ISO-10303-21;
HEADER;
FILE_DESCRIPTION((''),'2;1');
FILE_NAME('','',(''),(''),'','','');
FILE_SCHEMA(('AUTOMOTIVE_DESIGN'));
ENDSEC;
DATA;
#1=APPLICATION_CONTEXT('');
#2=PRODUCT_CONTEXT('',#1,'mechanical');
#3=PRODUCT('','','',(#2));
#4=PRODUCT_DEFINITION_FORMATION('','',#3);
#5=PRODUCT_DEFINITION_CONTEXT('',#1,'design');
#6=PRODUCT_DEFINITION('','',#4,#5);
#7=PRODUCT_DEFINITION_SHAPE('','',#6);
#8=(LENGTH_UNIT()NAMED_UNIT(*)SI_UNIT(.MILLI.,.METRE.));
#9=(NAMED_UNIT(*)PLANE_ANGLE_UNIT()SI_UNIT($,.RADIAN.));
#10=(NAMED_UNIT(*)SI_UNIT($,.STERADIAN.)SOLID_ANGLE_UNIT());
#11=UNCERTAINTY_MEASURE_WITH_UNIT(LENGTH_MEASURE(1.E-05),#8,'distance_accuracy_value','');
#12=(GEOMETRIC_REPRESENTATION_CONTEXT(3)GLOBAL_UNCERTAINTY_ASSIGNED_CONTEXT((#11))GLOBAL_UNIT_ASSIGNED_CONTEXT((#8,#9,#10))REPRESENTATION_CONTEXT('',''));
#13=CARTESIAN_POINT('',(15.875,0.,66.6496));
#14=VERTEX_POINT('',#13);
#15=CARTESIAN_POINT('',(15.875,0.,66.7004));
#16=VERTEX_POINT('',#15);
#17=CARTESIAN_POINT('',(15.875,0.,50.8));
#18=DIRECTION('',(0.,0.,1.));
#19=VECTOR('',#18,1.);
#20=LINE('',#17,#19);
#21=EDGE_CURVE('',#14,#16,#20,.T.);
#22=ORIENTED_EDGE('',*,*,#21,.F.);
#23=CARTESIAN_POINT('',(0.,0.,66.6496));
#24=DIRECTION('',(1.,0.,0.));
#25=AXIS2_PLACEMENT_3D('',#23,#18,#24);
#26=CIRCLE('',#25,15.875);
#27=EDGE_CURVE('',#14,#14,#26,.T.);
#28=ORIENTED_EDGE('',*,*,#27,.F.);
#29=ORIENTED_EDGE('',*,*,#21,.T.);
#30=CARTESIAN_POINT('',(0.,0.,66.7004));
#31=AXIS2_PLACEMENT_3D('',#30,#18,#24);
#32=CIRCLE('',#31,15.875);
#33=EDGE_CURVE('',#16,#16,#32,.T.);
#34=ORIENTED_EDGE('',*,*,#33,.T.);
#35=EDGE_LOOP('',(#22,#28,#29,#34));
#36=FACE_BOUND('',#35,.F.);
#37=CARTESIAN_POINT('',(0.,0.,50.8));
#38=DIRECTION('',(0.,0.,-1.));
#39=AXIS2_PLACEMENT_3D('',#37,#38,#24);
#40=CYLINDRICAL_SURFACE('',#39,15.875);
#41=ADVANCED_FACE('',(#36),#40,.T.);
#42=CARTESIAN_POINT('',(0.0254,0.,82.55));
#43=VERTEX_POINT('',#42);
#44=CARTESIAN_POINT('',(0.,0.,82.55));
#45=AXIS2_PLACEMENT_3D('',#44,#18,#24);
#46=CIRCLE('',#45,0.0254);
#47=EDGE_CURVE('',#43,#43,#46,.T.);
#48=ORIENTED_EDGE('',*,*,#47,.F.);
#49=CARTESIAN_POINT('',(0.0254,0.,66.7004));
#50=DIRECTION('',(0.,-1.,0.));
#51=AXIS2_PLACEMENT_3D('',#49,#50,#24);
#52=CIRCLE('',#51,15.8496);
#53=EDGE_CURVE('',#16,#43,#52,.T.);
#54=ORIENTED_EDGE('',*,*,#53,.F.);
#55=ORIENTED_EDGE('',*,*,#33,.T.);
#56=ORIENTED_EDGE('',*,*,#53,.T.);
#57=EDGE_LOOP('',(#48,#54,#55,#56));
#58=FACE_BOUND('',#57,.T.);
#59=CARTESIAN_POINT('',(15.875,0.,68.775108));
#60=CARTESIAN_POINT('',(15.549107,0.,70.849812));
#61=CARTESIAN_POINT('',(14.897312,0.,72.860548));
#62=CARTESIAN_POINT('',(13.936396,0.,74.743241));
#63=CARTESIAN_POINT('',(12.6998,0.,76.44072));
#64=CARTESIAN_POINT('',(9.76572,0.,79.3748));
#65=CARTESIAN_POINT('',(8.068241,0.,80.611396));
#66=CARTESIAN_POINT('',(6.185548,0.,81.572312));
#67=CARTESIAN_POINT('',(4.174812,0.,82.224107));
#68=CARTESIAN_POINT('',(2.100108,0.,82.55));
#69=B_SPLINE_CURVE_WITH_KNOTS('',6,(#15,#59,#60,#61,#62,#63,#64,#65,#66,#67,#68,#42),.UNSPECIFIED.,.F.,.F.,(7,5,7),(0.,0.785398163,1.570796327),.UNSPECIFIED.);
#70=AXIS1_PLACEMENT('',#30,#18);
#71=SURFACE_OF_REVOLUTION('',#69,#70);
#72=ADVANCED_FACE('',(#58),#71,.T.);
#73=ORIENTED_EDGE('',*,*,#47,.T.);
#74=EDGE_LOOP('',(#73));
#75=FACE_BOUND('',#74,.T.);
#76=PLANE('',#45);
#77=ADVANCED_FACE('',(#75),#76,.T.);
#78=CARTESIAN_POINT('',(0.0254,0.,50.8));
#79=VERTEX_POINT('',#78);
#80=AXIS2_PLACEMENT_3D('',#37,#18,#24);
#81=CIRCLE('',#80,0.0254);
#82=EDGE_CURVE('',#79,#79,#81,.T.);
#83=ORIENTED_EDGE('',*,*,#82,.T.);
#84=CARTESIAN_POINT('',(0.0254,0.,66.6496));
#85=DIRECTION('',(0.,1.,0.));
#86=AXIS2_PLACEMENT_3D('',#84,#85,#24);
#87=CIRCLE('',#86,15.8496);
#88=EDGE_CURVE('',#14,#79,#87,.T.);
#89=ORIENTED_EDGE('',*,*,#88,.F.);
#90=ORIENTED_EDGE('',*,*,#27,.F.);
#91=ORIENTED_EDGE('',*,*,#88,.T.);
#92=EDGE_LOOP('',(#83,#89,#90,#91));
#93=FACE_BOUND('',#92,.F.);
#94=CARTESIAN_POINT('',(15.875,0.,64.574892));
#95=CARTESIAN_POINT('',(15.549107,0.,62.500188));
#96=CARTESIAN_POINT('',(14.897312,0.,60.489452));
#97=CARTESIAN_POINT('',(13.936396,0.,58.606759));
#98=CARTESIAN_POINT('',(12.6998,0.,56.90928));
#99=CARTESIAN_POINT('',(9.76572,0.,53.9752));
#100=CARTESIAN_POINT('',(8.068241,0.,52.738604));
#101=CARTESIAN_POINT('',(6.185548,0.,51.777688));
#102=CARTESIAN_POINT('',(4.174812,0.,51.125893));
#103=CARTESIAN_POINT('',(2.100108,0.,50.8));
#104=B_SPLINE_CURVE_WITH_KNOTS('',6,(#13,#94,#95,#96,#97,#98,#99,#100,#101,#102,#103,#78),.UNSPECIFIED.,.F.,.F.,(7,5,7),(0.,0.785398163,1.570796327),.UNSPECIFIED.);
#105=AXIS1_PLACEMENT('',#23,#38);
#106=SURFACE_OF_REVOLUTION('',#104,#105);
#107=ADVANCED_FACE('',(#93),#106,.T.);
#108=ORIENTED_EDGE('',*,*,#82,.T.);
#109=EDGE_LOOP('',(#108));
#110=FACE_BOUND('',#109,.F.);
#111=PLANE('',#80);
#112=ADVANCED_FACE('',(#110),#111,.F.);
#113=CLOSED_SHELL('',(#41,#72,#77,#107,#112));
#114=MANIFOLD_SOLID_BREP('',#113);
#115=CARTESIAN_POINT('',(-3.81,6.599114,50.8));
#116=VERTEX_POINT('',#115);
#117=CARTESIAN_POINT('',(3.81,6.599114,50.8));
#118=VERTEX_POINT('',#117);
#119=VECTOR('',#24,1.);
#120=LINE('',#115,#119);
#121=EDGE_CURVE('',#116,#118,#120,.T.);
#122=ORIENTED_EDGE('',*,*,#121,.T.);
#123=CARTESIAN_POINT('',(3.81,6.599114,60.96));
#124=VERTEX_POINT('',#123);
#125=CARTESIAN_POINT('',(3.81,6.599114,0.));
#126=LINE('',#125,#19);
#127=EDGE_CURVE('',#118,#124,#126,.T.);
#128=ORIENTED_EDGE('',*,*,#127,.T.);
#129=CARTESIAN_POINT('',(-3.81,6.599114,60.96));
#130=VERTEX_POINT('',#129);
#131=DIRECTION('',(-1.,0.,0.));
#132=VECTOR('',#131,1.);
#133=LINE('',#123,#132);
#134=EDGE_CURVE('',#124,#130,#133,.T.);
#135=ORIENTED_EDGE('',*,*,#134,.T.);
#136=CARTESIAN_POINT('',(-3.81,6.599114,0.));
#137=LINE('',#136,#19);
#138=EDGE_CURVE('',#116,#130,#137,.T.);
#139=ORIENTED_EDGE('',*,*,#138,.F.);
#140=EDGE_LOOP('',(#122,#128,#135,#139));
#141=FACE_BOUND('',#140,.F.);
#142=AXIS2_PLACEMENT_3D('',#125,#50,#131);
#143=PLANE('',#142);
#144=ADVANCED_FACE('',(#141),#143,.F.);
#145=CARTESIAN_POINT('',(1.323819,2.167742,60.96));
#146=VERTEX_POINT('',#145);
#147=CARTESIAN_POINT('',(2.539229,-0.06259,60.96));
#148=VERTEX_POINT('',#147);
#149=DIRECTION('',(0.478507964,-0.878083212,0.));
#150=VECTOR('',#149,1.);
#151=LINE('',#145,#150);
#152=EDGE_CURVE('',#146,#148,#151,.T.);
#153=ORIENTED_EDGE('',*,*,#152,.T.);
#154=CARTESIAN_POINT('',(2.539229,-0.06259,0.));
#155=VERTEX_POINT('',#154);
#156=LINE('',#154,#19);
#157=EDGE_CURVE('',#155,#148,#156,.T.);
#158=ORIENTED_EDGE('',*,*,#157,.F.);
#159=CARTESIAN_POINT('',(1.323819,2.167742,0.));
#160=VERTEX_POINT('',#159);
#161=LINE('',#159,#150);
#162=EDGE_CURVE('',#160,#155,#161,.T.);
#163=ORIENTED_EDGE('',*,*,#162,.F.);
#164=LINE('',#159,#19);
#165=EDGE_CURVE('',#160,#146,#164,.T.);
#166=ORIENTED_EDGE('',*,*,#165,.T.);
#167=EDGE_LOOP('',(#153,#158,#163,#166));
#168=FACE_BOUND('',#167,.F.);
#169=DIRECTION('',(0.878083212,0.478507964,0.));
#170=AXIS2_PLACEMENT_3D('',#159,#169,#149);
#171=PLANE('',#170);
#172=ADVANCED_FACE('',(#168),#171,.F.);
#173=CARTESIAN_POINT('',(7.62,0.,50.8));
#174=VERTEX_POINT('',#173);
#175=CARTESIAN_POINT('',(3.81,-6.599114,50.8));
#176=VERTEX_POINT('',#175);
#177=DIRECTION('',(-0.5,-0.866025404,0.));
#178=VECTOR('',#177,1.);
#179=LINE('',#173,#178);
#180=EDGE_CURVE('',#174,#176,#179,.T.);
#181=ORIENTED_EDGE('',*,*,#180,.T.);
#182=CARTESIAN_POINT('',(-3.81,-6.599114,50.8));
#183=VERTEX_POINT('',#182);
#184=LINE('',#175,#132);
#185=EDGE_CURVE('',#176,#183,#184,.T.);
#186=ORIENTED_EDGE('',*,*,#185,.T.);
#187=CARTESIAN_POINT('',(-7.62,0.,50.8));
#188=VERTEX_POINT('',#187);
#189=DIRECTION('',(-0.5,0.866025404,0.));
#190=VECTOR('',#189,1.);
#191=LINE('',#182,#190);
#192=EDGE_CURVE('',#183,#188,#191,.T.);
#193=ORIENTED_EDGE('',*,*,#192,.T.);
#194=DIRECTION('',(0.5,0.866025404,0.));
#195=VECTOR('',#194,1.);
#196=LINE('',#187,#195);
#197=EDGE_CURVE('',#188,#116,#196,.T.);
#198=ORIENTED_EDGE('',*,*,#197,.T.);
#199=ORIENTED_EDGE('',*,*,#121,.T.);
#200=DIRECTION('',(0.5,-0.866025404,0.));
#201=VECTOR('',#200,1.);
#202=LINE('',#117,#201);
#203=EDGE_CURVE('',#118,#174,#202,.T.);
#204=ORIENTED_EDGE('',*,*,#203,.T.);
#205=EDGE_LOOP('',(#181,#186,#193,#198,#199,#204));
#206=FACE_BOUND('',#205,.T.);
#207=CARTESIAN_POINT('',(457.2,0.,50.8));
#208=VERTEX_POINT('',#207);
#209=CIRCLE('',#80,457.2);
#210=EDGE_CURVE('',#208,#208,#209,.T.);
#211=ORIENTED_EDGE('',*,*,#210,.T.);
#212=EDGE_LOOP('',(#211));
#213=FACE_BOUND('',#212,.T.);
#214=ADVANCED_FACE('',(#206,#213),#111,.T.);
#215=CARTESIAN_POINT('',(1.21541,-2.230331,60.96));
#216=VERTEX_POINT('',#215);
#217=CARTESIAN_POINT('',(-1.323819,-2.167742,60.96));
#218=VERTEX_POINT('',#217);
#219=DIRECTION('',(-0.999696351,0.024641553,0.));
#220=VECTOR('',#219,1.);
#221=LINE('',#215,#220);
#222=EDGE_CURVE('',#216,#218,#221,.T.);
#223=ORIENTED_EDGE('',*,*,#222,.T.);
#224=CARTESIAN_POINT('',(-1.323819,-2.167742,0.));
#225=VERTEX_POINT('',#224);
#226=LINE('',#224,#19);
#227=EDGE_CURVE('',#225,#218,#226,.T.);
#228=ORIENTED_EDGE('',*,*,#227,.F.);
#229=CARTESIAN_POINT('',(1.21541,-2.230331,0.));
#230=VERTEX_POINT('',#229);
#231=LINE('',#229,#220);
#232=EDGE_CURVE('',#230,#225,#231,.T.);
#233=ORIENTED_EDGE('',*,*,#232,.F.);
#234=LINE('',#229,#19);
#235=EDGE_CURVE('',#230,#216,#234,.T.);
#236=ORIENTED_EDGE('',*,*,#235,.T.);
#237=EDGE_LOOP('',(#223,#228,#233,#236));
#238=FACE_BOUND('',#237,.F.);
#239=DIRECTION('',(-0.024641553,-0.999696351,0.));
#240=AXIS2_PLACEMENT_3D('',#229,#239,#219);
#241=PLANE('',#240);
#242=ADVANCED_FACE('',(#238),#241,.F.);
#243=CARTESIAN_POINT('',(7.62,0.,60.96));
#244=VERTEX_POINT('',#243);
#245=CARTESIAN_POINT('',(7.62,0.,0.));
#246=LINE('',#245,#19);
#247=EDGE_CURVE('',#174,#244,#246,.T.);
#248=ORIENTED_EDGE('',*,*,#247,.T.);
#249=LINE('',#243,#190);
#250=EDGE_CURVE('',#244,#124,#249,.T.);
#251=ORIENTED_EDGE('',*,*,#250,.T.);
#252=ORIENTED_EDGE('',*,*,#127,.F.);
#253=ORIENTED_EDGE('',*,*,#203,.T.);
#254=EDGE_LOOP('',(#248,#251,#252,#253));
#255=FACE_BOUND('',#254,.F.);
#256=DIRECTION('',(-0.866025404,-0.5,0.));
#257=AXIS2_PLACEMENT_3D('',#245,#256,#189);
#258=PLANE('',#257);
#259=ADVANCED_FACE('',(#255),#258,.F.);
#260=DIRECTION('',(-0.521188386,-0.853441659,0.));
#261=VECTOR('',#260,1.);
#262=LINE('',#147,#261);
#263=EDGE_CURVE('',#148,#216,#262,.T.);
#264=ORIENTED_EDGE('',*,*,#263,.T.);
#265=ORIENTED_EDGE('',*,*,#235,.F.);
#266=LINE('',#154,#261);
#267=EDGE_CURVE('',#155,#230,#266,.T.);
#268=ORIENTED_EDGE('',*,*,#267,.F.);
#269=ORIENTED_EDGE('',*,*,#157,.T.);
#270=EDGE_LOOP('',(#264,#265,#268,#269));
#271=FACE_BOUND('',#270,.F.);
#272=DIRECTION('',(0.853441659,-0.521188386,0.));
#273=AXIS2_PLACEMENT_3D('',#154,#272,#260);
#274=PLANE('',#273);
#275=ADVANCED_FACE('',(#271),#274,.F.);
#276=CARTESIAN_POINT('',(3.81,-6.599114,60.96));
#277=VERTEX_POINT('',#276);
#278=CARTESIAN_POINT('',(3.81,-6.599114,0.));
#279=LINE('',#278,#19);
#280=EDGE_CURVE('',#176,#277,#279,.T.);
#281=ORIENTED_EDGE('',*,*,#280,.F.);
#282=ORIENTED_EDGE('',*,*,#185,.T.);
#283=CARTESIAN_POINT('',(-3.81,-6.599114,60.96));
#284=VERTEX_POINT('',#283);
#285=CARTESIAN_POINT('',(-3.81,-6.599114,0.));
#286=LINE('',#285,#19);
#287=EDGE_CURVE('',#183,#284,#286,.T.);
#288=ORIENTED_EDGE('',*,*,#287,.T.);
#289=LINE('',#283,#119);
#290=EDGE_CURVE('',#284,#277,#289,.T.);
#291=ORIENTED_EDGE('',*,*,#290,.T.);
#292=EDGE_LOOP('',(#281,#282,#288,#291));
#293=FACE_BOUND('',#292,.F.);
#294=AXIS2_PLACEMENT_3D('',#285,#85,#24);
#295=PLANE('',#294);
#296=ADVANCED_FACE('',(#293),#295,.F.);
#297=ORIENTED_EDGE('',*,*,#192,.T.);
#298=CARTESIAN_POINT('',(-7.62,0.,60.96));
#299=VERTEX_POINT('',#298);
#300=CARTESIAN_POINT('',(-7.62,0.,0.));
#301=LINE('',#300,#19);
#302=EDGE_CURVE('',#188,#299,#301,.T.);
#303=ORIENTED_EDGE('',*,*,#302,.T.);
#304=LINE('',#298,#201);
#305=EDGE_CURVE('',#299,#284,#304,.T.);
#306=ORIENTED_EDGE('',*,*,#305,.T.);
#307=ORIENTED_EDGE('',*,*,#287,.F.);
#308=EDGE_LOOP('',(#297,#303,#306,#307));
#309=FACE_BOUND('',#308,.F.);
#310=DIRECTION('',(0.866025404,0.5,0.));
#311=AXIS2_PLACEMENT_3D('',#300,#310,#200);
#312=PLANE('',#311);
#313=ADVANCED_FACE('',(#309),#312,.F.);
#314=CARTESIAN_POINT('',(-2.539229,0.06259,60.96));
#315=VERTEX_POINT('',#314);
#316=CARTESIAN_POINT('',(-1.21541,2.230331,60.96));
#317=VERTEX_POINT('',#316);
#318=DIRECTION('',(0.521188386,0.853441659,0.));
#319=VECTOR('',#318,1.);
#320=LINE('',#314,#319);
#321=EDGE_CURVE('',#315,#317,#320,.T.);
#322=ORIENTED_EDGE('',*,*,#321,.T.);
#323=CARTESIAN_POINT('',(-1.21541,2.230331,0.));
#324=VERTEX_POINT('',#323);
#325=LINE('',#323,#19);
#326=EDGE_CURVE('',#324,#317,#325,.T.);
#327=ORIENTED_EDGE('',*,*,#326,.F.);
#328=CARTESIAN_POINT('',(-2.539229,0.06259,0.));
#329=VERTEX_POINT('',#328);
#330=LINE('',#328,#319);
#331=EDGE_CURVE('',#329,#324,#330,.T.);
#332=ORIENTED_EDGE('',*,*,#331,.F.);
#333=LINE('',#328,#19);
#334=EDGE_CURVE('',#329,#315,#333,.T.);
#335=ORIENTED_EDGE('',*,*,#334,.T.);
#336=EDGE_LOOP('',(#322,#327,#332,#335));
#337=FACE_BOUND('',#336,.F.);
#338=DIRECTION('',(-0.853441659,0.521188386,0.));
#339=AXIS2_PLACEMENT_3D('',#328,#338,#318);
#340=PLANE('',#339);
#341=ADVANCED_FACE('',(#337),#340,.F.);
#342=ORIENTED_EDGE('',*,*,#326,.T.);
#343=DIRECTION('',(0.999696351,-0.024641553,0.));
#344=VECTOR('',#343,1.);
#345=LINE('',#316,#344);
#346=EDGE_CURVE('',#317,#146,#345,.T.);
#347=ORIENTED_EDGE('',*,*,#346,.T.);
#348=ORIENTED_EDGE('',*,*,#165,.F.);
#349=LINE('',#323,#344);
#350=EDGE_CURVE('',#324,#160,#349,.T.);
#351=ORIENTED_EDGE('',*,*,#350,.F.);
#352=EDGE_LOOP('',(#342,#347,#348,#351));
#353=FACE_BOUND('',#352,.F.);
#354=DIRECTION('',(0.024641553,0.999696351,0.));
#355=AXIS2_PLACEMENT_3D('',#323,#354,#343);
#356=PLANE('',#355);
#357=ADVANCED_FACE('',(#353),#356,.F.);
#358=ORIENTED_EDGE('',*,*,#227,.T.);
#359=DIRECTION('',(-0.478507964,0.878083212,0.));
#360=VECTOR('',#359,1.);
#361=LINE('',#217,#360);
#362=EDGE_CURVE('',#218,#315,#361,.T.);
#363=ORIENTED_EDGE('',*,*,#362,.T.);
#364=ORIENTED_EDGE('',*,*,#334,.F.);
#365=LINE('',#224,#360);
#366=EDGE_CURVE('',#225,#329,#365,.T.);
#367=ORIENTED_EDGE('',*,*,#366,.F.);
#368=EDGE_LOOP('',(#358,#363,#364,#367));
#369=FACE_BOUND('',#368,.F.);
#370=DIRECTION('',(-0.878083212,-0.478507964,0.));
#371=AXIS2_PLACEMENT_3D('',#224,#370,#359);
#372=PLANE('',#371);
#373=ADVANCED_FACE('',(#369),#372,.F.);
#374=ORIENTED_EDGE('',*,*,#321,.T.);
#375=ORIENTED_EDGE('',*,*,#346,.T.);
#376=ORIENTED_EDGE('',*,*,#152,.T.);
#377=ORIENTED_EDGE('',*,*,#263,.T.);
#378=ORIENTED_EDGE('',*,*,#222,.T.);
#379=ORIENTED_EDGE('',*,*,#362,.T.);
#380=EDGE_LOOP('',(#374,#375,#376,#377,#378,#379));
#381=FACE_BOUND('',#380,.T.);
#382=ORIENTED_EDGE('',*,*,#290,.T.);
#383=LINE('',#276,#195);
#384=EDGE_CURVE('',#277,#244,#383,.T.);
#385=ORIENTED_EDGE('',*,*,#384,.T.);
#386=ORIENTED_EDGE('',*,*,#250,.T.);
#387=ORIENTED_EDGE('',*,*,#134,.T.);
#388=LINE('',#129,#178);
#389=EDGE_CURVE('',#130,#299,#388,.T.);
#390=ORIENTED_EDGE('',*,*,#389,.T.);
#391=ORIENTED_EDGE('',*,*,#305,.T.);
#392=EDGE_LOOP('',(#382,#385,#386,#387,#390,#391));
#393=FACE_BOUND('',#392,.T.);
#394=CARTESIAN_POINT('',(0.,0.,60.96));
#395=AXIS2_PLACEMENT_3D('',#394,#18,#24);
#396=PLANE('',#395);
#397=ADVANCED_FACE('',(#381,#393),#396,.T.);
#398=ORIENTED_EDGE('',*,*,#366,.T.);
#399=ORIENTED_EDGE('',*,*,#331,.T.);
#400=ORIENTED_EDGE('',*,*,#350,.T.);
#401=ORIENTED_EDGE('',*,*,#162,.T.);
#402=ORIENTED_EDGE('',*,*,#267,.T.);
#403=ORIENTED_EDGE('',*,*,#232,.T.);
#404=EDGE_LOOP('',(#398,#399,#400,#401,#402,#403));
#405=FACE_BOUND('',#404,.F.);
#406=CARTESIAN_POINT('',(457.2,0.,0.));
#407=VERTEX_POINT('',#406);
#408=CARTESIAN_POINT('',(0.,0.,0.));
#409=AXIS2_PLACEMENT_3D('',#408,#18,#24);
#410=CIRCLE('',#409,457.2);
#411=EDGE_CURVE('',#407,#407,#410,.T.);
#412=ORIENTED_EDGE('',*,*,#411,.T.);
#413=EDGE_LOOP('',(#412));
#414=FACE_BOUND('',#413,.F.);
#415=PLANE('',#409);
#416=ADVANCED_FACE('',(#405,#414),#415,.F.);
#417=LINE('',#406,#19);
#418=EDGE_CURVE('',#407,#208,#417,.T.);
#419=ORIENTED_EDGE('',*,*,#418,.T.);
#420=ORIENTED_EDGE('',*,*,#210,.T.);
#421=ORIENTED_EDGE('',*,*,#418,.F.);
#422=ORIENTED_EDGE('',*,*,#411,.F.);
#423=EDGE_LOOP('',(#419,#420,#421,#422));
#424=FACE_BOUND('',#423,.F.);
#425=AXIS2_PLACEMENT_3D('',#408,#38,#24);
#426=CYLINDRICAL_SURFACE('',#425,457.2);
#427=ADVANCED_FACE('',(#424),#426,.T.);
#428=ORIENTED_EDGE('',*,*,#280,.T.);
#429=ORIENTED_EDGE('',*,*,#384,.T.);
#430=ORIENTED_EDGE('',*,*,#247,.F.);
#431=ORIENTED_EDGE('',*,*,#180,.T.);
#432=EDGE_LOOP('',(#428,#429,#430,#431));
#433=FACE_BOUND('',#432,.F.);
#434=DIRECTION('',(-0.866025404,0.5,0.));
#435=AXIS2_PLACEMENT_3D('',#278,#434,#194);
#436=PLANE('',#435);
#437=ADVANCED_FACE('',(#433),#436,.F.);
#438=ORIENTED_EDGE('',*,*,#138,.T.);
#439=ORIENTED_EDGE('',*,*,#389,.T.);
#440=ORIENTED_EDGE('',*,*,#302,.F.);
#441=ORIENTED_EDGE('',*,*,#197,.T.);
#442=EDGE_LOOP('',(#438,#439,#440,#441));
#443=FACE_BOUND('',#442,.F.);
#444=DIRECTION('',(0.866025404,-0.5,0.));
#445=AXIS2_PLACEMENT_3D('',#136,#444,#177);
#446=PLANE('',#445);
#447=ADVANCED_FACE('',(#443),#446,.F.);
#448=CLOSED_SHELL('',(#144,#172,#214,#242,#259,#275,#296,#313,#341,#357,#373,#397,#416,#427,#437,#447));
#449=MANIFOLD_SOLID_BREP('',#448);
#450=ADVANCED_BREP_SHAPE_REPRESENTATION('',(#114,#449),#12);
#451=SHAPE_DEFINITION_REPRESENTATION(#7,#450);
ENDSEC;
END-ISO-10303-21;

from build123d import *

# Parameters (mm, degrees)
F0_R     = 457.2
F1_DEPTH = 50.8
F2_DEPTH = 60.96
F3_R     = 15.875
F4_DEPTH = 31.75
F5_R     = 15.8496


with BuildPart() as f1:
    # F0 (on Top) → F1 (new body)
    with BuildSketch(Plane.XY):
        Circle(F0_R)
        Polygon((-3.81, 6.5991135768), (3.81, 6.5991135768), (7.62, 0), (3.81, -6.5991135768), (-3.81, -6.5991135768), (-7.62, 0), align=None, mode=Mode.SUBTRACT)
    extrude(amount=F1_DEPTH)

    # F0 (on Top) → F2 (join)
    with BuildSketch(Plane.XY):
        Polygon((7.62, 0), (3.81, 6.5991135768), (-3.81, 6.5991135768), (-7.62, 0), (-3.81, -6.5991135768), (3.81, -6.5991135768), align=None)
        Polygon((-1.2154102297, 2.2303313596), (1.3238185014, 2.1677418147), (2.5392287311, -0.0625895449), (1.2154102297, -2.2303313596), (-1.3238185014, -2.1677418147), (-2.5392287311, 0.0625895449), align=None, mode=Mode.SUBTRACT)
    extrude(amount=F2_DEPTH)


with BuildPart() as f4:
    # F3 (on face) → F4 (new body)
    with BuildSketch(Plane.XY.offset(50.8)):
        Circle(F3_R)
    extrude(amount=F4_DEPTH)

    # F5
    f5_edges = [f4.edges().sort_by_distance(p)[0] for p in [
        (-15.875, 0, 82.55),
        (-15.875, 0, 50.8),
    ]]
    fillet(f5_edges, radius=F5_R)


solid = Compound([f1.part, f4.part])
